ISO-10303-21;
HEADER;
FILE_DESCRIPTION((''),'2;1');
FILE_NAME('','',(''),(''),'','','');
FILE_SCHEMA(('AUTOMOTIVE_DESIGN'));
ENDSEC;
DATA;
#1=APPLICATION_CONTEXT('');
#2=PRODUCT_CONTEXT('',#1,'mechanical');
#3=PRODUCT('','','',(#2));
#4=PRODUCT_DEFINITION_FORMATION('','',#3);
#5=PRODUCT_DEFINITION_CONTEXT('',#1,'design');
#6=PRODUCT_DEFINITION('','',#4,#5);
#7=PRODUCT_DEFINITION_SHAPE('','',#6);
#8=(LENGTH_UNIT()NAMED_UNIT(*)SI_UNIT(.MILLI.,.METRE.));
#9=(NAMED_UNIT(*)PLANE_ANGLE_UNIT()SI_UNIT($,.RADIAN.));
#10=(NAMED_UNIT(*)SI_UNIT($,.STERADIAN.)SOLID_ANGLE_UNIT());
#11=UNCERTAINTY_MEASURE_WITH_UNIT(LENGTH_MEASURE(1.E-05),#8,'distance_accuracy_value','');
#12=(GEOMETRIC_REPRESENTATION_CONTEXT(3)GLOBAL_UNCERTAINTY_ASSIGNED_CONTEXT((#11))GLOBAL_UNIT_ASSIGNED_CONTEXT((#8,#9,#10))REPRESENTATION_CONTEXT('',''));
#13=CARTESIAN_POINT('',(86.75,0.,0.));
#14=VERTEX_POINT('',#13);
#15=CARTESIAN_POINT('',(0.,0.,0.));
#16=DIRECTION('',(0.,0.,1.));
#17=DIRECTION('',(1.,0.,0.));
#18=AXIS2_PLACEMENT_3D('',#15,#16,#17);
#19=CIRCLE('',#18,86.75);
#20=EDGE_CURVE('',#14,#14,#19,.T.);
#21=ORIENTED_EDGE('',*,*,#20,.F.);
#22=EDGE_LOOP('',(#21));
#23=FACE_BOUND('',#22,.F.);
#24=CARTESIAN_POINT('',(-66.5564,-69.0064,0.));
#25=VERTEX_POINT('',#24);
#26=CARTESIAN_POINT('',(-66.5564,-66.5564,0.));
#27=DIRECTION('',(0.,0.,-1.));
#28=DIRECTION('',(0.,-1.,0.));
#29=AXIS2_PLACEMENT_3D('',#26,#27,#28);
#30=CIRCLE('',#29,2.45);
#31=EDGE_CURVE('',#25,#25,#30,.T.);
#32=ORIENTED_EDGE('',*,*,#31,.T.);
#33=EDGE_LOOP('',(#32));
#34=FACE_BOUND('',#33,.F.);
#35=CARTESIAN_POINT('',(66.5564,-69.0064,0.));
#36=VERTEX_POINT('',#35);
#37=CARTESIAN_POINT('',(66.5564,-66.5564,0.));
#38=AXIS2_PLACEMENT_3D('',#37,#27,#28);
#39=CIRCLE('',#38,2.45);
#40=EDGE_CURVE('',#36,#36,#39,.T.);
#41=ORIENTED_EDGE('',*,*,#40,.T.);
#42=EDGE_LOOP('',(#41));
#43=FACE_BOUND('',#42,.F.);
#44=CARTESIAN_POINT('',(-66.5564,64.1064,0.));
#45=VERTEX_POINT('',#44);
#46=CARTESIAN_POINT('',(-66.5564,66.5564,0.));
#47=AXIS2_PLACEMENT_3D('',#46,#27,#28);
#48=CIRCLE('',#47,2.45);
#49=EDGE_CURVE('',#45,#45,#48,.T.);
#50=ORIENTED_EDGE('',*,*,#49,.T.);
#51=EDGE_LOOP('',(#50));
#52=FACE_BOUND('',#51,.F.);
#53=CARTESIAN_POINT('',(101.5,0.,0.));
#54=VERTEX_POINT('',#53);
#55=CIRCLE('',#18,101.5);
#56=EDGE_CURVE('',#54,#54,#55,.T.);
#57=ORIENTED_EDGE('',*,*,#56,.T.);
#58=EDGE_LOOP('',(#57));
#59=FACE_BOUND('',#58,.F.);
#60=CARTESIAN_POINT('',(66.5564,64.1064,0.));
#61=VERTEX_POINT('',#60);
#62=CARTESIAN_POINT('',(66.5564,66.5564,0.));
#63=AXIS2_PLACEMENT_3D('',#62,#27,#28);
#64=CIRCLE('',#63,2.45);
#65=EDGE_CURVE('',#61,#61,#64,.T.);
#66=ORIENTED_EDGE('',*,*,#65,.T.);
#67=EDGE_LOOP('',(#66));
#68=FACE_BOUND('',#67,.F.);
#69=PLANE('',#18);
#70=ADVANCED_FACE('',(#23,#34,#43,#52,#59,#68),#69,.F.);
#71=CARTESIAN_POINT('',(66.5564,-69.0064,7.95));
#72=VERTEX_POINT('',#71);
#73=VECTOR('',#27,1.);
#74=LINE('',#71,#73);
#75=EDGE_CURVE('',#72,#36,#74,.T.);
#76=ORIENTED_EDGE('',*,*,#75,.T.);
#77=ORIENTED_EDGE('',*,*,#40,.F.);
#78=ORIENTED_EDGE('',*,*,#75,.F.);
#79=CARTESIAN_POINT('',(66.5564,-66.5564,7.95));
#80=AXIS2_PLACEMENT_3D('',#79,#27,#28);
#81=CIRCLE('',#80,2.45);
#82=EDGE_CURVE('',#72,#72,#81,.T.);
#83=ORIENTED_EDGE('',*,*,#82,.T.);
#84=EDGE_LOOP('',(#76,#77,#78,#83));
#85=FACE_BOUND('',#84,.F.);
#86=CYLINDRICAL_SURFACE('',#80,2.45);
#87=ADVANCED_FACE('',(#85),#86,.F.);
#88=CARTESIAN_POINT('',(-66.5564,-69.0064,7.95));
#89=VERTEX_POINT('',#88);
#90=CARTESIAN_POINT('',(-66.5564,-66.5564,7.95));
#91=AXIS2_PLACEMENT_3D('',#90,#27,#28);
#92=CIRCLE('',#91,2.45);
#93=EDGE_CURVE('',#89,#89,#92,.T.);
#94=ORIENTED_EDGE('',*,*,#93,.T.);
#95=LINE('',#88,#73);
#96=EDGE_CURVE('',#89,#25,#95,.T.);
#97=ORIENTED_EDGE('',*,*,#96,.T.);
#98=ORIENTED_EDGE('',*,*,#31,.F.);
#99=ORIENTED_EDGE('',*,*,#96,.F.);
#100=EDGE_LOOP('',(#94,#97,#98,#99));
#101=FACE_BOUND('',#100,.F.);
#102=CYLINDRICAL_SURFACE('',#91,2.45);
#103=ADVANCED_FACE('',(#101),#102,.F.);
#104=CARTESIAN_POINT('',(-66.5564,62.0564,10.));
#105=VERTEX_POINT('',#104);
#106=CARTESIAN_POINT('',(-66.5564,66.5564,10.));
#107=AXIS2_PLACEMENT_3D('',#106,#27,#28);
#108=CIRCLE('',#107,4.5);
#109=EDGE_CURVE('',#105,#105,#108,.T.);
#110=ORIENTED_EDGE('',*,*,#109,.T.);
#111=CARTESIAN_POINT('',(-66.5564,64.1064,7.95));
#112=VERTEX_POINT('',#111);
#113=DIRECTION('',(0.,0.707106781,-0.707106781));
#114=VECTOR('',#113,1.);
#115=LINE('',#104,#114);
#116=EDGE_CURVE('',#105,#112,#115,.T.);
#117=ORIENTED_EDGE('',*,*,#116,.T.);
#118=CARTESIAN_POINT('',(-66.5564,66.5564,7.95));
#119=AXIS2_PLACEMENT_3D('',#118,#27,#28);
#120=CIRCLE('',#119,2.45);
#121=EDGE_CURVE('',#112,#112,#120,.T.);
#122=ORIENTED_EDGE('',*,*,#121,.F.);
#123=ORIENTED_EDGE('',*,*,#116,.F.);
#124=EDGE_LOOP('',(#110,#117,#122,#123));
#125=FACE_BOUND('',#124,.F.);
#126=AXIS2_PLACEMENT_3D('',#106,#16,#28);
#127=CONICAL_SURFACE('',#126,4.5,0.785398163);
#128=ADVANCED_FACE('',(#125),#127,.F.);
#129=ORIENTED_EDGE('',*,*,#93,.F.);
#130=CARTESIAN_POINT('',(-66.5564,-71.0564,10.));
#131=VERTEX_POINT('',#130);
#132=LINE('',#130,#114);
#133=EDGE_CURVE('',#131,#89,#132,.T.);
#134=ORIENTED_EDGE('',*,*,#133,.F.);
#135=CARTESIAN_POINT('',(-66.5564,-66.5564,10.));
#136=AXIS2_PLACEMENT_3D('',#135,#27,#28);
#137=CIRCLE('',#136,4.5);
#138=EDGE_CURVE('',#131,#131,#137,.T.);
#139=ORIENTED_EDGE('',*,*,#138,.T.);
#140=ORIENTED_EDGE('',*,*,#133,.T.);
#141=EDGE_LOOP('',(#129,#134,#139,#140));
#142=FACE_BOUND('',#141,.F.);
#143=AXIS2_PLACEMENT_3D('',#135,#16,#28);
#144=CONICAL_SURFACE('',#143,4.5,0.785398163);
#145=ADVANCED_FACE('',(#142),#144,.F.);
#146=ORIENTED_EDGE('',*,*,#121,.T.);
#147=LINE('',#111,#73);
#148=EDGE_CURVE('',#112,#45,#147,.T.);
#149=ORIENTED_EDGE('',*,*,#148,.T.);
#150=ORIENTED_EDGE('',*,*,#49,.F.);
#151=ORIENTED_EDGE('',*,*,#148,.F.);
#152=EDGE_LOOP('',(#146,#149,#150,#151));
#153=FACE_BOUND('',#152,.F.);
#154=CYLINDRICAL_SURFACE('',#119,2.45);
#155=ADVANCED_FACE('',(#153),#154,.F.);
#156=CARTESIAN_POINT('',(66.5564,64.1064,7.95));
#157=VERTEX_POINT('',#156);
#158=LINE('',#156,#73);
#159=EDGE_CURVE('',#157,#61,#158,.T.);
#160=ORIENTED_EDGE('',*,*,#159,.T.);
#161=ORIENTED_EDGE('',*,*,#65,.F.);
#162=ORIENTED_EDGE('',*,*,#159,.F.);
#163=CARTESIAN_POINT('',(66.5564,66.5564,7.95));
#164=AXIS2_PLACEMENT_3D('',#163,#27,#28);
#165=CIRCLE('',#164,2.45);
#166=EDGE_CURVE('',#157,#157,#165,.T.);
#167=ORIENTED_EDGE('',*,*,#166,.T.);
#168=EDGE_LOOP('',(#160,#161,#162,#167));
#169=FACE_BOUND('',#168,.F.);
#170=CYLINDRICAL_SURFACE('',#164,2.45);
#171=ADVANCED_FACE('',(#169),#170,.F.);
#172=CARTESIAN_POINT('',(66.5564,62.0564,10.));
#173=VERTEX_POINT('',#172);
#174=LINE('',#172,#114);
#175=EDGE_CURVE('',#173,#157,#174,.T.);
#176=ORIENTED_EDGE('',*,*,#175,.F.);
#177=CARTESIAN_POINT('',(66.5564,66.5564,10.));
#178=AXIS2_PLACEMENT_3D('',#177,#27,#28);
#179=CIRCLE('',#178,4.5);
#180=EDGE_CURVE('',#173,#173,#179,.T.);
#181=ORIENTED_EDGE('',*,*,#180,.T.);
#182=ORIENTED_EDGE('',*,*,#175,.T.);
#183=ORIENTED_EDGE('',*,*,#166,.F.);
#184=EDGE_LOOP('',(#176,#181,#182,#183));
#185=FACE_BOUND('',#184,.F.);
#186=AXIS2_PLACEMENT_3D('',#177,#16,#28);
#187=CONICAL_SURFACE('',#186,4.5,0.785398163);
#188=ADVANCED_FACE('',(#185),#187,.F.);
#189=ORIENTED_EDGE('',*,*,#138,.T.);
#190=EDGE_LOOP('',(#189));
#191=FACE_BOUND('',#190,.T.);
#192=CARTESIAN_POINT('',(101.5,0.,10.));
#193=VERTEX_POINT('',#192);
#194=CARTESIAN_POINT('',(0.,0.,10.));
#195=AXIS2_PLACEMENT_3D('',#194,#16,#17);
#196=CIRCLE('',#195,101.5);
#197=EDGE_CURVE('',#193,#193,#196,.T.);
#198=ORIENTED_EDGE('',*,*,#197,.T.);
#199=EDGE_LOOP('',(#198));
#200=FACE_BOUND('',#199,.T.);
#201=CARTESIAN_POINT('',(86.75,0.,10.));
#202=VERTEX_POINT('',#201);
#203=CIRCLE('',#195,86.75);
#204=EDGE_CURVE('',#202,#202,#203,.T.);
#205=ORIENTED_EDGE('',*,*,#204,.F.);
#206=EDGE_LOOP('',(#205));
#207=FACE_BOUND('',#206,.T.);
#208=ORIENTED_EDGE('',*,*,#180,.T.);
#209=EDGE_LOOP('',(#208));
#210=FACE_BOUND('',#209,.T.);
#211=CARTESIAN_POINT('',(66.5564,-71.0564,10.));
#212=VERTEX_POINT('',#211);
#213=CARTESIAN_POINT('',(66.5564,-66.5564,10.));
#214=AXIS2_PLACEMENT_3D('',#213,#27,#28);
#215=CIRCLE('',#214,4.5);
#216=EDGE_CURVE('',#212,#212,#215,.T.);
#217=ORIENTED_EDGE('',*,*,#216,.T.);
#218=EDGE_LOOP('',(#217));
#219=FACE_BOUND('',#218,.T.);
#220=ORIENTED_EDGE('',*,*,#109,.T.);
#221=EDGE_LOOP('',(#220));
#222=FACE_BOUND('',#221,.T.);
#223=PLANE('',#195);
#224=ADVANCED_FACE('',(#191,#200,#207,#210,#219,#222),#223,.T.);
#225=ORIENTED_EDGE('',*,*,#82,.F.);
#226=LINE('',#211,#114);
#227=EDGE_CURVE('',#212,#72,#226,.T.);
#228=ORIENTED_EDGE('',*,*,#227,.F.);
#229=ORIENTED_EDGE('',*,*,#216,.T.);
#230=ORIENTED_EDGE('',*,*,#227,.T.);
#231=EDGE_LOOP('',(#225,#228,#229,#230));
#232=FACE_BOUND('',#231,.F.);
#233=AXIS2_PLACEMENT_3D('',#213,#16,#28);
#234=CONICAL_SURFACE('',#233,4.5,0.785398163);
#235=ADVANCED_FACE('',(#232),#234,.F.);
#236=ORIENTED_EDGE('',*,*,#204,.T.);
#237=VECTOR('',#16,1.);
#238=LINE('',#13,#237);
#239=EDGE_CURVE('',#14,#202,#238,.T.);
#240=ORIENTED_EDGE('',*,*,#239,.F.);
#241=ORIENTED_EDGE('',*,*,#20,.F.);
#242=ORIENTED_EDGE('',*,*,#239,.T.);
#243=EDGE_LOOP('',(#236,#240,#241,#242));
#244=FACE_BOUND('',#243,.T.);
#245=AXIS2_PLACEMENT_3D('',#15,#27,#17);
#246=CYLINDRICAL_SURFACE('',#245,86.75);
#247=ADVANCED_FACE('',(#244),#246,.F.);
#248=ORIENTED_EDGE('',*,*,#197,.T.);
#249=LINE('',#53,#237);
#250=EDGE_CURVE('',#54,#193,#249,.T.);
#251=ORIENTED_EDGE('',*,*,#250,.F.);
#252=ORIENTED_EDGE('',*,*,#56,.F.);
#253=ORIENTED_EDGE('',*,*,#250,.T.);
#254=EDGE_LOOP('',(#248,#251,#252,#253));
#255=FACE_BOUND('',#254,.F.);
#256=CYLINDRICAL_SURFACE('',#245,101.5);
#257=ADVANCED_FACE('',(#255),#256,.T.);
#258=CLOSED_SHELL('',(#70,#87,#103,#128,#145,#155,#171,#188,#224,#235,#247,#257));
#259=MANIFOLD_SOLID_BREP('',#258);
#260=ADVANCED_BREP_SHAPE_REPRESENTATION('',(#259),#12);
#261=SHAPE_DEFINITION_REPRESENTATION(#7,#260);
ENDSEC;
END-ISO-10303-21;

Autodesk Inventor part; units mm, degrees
ref_plane "YZ Plane" through (0, 0, 0) normal (1, 0, 0) x (0, 1, 0)
ref_plane "XZ Plane" through (0, 0, 0) normal (0, 1, 0) x (-1, 0, 0)
ref_plane "XY Plane" through (0, 0, 0) normal (0, 0, 1) x (1, 0, 0)
sketch "Skizze1" plane through (0, 0, 0) normal (0, 0, 1) x (1, 0, 0)
  circle A0 centre (0, 0) radius 72
  circle A1 centre (0, 0) radius 101.5
  circle A2 centre (0, 0) radius 86.75
  dimension "d0" = 144
  dimension "d1" = 203
  dimension "d2" = 29.5
  dimension "d3" = 14.75
extrude "Extrusion1" add sketch "Skizze1" along normal blind 10 contours A1
sketch "Skizze2" plane through (0, 0, 10) normal (0, 0, 1) x (1, 0, 0)
  line L0 (-66.5564, -66.5564) -> (66.5564, -66.5564)
  line L1 (66.5564, -66.5564) -> (66.5564, 66.5564)
  line L2 (66.5564, 66.5564) -> (-66.5564, 66.5564)
  line L3 (-66.5564, 66.5564) -> (-66.5564, -66.5564)
  line L4 (-66.5564, -66.5564) -> (66.5564, 66.5564) construction
  line L5 (66.5564, -66.5564) -> (-66.5564, 66.5564) construction
  circle A0 centre (0, 0) radius 94.125 construction
  circle A1 centre (0, 0) radius 86.75 construction
  circle A2 centre (0, 0) radius 101.5 construction
  dimension "d15" = 14.75
  dimension "d16" = 7.375
hole "Bohrung1" at (-66.5564, 66.5564, 10) at (66.5564, 66.5564, 10) at (66.5564, -66.5564, 10) at (-66.5564, -66.5564, 10) direction (0, 0, -1) diameter 4.9 end through all countersink diameter 9 countersink angle 90
equation "\"d3\" = 0.5 * d2"
equation "\"d16\" = 0.5 * d15"
properties part number "Drehkranz_B" material "ABS-Kunststoff"
